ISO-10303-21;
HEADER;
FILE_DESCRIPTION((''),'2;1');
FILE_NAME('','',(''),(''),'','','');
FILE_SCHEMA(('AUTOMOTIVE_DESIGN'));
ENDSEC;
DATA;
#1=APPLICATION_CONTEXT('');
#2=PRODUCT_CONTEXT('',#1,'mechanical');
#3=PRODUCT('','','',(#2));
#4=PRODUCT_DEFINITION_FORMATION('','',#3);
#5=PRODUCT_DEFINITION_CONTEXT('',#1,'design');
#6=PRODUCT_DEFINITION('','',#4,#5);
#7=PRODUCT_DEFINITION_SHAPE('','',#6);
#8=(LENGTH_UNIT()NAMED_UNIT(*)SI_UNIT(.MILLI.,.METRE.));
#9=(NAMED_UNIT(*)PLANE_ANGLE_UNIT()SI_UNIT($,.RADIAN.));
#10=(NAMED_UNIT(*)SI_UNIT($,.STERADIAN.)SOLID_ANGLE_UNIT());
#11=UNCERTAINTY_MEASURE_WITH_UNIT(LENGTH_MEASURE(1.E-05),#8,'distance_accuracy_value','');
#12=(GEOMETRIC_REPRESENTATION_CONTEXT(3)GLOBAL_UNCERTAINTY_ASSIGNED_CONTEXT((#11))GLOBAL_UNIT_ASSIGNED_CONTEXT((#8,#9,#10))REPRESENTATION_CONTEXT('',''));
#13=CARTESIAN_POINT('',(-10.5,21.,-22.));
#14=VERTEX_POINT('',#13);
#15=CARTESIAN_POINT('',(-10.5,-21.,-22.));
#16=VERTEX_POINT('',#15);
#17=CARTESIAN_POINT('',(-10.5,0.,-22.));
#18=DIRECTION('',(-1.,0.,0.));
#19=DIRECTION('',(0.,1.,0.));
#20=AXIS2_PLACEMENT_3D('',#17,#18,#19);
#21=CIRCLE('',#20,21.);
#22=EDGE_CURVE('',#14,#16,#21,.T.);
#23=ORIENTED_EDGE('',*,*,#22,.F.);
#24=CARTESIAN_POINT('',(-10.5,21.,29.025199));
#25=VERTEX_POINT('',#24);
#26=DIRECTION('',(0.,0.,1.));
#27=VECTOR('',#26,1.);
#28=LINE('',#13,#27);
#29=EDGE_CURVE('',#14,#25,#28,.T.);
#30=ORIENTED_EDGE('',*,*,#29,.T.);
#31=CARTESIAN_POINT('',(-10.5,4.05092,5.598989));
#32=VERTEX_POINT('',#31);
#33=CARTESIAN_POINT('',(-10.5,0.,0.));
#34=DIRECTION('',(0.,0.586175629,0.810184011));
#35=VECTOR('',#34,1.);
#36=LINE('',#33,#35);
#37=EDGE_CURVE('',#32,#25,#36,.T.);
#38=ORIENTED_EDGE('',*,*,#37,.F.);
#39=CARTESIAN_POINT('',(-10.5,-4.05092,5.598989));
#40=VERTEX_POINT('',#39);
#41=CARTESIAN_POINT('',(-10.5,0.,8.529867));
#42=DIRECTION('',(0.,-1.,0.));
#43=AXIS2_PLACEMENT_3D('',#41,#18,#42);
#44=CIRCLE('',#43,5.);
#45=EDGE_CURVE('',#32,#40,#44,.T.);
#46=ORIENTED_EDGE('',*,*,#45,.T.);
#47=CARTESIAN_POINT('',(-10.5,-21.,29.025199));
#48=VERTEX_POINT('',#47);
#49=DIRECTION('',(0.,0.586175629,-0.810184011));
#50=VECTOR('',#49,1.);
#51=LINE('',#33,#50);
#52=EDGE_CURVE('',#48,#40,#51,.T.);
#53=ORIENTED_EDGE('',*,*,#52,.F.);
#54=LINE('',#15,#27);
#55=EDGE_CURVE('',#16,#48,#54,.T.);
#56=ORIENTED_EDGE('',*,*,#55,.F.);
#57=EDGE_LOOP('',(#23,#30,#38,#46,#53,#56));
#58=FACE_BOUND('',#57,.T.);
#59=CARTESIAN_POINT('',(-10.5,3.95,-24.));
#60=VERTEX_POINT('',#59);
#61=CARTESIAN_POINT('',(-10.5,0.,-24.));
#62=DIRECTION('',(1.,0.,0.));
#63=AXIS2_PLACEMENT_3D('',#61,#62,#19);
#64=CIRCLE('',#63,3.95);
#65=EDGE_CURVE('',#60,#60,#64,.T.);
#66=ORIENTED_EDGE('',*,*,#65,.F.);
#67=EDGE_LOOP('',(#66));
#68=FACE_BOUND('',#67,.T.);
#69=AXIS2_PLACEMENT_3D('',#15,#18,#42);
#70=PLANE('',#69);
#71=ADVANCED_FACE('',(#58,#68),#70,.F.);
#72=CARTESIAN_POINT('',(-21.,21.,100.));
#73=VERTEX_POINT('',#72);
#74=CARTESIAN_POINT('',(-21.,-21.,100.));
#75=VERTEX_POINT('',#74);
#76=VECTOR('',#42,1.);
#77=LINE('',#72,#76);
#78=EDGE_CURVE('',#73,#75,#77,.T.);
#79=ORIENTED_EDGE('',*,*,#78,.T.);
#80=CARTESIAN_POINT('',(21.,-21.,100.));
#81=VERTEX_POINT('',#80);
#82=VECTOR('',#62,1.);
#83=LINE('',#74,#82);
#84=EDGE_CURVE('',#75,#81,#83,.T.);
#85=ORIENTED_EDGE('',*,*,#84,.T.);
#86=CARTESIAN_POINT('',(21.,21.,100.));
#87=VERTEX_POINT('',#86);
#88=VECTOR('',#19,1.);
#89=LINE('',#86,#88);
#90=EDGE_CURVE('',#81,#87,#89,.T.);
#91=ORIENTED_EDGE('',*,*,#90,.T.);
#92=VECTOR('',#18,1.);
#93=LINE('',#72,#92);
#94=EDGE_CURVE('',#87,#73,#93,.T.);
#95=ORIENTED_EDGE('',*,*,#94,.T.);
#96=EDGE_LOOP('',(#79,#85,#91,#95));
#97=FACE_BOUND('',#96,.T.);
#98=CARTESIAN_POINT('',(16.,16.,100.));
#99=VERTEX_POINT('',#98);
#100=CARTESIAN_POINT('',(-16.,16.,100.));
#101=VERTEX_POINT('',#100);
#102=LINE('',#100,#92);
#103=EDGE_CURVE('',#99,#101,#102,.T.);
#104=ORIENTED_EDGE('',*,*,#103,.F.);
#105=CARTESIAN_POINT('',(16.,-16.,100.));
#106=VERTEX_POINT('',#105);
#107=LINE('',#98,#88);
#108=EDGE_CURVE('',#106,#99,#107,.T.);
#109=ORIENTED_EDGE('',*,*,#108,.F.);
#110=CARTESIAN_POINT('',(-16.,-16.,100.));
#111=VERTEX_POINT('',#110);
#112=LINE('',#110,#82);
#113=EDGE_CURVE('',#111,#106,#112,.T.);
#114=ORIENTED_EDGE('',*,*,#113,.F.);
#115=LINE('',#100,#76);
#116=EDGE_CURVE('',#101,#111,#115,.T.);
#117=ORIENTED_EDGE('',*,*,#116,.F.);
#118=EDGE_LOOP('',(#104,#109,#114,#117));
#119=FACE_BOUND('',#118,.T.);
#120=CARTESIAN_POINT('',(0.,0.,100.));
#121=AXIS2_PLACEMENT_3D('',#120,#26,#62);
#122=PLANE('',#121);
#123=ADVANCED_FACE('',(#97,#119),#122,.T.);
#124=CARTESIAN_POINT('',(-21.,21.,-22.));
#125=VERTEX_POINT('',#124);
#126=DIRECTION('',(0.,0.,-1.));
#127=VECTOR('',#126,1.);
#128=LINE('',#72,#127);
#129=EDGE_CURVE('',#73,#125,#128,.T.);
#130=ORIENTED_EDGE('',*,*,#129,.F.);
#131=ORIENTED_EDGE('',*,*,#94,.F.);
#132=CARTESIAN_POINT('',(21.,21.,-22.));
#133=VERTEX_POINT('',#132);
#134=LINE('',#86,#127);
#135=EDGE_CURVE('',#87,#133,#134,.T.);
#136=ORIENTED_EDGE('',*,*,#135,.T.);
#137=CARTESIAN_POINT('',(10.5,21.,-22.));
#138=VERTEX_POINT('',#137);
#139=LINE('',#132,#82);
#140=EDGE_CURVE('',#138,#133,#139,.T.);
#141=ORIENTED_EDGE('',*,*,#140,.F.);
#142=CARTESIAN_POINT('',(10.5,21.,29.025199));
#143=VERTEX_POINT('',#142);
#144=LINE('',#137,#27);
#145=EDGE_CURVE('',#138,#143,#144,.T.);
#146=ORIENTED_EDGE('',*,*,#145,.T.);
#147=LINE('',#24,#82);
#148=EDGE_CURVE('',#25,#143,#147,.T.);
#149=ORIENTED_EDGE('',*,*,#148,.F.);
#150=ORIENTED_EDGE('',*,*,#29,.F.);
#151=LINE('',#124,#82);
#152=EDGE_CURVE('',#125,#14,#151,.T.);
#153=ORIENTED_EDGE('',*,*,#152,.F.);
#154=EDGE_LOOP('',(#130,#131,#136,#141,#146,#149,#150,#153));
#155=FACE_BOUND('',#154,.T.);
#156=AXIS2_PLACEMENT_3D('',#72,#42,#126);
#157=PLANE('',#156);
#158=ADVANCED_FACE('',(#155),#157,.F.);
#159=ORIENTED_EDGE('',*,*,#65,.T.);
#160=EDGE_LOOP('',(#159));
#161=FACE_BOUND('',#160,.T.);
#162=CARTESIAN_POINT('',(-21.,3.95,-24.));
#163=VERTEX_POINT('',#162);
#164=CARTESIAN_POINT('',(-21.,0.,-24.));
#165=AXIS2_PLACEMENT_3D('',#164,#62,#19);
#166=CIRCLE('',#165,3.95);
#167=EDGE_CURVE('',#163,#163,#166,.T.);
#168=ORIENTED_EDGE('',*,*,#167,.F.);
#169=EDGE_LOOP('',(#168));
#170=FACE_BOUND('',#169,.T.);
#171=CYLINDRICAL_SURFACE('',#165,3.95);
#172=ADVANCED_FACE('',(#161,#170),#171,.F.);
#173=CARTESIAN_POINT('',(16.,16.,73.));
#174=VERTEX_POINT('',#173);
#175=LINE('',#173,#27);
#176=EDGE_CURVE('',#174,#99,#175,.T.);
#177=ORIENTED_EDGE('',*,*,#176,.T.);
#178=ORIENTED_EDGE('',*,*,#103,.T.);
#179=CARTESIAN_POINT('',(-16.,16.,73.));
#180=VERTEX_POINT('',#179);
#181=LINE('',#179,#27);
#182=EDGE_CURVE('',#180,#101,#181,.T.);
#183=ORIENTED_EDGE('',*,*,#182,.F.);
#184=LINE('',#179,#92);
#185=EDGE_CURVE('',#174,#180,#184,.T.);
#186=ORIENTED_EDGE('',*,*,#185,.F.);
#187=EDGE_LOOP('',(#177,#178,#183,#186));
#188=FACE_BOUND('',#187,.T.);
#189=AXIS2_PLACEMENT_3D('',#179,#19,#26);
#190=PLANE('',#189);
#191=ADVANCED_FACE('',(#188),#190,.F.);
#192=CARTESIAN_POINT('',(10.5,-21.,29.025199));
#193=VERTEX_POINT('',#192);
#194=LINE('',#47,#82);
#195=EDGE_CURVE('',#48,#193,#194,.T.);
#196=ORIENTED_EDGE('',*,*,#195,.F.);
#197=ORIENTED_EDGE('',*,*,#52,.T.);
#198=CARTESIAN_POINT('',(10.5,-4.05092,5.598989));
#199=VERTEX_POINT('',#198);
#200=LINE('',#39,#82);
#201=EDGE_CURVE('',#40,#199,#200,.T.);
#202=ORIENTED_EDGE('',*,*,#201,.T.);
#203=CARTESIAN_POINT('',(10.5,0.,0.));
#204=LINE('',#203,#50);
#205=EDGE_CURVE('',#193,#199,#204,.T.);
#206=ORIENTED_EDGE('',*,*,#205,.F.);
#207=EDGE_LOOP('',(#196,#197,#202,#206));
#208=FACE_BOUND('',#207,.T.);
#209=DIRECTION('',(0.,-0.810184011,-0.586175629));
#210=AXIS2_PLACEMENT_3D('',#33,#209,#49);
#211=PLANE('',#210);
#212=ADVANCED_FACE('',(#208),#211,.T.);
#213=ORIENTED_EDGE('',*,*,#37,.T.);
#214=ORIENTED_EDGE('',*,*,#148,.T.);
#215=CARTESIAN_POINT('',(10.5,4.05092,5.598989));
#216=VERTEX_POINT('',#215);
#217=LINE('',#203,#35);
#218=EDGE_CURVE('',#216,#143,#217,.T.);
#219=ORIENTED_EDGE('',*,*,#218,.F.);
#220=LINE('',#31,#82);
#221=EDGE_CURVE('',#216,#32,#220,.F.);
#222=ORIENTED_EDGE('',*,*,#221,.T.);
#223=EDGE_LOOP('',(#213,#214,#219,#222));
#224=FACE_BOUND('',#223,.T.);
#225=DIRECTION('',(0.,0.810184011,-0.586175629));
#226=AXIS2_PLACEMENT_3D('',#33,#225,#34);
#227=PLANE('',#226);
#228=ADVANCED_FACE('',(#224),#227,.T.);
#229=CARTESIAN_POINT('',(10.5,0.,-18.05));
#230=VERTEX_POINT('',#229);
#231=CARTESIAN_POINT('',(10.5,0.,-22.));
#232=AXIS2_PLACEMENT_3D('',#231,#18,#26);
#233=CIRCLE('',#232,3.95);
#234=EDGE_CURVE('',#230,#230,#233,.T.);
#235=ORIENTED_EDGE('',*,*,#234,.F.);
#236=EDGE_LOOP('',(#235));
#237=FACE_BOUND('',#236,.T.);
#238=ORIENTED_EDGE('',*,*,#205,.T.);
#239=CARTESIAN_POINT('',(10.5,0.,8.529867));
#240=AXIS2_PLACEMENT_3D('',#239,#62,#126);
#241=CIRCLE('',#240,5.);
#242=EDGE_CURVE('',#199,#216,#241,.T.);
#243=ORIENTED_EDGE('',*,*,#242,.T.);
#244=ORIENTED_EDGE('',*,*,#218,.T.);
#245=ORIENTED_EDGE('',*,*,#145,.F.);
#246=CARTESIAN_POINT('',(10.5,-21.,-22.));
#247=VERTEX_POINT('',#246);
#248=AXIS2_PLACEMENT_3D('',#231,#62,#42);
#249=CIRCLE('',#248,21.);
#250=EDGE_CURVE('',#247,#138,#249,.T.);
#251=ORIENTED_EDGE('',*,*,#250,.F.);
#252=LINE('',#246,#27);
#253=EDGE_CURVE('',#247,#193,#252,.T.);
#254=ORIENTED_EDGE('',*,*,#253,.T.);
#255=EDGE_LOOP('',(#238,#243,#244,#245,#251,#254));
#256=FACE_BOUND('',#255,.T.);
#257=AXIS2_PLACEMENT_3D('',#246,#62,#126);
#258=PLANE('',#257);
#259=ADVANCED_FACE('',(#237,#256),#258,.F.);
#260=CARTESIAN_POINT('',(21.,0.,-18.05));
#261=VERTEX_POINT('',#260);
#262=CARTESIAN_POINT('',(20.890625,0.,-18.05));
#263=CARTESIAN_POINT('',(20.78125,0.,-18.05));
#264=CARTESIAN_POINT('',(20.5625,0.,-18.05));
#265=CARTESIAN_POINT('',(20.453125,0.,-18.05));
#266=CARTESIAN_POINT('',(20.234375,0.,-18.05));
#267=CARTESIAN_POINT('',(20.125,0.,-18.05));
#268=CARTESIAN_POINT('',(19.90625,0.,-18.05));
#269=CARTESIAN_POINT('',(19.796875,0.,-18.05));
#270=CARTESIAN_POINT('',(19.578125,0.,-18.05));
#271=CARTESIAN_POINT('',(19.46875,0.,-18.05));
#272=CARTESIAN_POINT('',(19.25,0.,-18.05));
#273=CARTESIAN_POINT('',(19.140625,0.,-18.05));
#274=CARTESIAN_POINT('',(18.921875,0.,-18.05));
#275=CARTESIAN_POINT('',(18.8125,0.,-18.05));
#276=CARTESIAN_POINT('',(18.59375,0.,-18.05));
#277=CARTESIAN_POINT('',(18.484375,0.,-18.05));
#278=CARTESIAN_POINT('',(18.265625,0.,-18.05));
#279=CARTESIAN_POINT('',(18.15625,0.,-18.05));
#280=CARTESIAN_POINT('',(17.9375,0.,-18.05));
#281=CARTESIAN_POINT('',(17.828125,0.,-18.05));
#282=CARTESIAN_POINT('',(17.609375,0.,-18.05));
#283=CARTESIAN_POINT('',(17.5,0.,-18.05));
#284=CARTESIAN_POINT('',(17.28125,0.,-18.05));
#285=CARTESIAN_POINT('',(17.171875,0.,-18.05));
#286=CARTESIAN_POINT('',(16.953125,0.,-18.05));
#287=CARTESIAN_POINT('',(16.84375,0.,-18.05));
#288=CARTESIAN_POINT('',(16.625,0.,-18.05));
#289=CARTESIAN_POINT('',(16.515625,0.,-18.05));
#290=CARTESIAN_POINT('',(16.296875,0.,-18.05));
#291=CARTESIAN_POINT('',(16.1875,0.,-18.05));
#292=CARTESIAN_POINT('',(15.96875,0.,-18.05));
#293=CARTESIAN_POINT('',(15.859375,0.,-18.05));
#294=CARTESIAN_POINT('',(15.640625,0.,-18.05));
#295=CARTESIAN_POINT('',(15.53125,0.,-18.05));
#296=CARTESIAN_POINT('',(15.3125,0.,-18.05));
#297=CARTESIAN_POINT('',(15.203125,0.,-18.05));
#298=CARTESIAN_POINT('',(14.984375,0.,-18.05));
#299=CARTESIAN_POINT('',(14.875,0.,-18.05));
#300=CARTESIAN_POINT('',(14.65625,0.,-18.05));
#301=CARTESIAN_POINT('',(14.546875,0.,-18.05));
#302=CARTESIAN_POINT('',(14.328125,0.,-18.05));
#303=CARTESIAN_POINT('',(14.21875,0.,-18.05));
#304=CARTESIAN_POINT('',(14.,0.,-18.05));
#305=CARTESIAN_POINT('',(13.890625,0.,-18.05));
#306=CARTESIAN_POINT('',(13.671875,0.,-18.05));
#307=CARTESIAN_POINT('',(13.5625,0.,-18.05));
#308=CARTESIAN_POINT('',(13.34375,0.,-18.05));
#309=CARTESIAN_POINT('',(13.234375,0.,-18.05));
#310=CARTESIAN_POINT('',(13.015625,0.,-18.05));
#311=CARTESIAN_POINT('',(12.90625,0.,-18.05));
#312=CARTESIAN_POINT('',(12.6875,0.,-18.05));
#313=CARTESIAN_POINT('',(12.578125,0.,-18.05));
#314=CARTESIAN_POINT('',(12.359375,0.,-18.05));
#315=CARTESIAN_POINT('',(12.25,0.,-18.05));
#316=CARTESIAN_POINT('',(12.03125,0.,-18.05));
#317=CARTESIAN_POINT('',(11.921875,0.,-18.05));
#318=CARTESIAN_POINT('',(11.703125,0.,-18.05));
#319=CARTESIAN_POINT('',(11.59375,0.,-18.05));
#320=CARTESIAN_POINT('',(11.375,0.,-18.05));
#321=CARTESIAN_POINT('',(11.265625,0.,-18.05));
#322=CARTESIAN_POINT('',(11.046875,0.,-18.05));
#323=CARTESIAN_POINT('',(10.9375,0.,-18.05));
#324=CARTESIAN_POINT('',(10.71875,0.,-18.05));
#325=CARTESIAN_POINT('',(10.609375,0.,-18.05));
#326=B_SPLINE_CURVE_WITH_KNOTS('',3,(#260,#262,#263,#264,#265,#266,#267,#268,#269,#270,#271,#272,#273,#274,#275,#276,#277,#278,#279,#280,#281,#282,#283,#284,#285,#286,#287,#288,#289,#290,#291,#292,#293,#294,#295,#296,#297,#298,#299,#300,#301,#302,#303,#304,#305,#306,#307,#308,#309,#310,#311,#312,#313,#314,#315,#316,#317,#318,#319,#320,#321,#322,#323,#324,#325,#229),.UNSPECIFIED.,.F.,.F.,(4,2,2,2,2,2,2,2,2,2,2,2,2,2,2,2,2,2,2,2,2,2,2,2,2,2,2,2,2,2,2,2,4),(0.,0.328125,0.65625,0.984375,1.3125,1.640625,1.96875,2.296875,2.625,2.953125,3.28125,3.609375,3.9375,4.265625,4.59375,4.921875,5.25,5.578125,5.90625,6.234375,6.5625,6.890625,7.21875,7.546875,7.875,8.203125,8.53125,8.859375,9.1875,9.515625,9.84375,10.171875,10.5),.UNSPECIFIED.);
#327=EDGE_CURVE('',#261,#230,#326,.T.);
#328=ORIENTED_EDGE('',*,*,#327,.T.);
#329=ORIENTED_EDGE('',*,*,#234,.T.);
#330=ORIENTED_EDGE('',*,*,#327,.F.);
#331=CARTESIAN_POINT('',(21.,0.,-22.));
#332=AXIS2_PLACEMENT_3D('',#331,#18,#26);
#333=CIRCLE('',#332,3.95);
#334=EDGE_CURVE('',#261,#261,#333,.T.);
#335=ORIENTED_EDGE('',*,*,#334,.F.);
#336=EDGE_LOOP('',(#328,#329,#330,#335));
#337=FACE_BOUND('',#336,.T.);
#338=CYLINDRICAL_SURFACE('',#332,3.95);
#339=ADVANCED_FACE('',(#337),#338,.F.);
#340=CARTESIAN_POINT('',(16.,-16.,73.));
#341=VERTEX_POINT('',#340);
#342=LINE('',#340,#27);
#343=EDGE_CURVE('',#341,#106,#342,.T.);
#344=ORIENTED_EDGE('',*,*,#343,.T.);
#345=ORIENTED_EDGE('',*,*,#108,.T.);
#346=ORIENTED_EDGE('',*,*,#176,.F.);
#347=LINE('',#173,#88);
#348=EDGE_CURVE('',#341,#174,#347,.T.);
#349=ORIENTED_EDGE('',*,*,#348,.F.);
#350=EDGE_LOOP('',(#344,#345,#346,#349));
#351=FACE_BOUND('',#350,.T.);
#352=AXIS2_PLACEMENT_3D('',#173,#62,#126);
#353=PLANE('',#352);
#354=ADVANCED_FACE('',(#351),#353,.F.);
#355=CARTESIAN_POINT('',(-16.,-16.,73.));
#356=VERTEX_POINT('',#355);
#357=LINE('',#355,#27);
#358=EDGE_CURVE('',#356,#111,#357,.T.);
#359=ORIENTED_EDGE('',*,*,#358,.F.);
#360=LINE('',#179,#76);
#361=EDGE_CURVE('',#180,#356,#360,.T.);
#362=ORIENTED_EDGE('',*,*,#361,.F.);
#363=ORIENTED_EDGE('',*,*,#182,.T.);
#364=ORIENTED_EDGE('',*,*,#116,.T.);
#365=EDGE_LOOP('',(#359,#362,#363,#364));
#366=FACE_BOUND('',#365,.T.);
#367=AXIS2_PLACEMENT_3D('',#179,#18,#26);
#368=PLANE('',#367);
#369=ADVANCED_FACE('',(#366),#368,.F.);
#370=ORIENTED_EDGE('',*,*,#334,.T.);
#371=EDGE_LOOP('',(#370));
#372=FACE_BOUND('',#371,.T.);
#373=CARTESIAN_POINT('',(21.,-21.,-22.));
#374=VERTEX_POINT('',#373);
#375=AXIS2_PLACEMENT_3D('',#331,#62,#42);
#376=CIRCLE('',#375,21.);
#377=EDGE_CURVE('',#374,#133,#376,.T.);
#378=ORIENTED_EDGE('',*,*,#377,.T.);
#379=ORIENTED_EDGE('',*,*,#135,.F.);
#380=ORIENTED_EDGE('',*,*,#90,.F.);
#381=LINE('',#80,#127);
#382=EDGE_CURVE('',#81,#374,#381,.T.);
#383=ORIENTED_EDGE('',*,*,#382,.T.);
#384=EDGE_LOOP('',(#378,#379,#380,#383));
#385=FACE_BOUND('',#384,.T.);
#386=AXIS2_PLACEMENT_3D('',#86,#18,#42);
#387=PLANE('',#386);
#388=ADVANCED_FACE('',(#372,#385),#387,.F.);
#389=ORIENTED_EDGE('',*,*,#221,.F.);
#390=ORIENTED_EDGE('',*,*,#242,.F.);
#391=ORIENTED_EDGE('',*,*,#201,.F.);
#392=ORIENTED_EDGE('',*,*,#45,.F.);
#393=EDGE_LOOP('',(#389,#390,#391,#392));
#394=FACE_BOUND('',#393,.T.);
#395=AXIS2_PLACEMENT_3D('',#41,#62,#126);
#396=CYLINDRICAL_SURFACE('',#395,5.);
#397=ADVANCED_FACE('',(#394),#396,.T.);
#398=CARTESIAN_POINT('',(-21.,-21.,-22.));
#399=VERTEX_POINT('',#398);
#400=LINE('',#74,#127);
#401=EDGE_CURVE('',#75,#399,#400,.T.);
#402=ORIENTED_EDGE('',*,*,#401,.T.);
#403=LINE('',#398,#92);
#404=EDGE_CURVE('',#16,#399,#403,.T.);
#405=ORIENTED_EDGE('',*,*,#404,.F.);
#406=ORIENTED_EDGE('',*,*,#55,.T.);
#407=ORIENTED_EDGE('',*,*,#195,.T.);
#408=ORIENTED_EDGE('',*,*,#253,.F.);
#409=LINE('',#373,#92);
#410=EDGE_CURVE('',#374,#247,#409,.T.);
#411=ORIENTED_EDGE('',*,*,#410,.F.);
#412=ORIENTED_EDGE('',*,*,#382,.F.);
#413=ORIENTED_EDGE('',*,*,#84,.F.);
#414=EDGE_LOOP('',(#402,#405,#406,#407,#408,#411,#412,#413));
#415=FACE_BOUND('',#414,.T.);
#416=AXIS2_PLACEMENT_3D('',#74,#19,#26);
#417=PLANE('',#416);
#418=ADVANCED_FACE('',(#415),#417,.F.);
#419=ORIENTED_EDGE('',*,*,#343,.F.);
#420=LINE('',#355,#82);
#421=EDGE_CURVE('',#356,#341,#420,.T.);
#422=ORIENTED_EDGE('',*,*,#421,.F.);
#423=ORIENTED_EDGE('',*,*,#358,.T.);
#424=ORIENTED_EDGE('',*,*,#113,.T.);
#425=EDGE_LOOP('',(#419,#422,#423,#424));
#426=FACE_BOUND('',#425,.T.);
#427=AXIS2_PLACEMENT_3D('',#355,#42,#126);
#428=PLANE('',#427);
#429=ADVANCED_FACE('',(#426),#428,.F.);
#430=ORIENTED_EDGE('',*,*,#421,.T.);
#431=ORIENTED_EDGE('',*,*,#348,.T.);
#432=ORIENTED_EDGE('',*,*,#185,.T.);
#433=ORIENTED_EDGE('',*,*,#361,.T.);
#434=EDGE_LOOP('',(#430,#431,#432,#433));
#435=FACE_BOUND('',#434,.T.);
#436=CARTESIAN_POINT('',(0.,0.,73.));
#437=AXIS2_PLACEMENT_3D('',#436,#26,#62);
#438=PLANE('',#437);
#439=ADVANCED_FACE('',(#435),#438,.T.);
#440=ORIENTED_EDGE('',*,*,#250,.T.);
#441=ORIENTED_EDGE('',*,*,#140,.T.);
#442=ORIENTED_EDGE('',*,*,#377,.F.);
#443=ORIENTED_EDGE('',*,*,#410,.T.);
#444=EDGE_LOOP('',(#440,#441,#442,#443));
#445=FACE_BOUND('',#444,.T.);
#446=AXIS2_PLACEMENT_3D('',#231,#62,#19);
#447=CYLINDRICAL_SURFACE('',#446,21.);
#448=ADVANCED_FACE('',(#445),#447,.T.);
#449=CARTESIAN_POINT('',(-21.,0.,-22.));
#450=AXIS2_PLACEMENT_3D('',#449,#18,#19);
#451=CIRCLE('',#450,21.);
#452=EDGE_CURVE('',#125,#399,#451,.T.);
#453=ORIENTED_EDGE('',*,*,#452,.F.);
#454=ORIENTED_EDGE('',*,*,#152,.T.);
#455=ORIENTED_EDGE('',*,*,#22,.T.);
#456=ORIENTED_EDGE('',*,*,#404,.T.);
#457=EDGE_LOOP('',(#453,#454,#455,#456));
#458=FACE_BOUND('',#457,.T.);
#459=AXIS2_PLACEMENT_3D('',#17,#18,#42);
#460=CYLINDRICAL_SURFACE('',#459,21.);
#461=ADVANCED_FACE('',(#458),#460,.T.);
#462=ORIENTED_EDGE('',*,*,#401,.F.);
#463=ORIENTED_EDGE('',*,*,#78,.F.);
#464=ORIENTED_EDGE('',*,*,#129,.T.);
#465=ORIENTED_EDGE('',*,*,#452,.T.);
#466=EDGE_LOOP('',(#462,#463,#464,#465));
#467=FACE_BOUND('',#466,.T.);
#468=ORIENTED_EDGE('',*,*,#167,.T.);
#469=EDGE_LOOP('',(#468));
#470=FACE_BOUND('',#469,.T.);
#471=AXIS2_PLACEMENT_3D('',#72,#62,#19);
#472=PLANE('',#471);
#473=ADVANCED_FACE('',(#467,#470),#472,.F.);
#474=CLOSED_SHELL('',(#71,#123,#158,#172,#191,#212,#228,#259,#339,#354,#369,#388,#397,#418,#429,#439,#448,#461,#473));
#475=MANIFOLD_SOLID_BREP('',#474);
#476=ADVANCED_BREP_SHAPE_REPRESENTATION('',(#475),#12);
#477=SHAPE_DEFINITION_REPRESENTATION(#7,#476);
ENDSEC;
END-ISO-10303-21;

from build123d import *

# Parameters (mm, degrees)
SKETCH2_W           = 42
SKETCH2_H           = 42
BOSS_EXTRUDE1_DEPTH = 100
SKETCH3_W           = 10.5
SKETCH3_H           = 42
BOSS_EXTRUDE2_DEPTH = 22
BOSS_EXTRUDE3_DEPTH = 10.5
BOSS_EXTRUDE4_START = -10.5
BOSS_EXTRUDE4_DEPTH = 10.5
SKETCH6_W           = 32
SKETCH6_H           = 32
CUT_EXTRUDE1_DEPTH  = 27
SKETCH7_R           = 3.95
CUT_EXTRUDE2_DEPTH  = 107.92637654
SKETCH9_R           = 3.95
CUT_EXTRUDE3_DEPTH  = 107.92637654
CUT_EXTRUDE4_DEPTH  = 21
FILLET1_R           = 5


with BuildPart() as part:
    # Sketch2 → Boss-Extrude1 (new body)
    with BuildSketch(Plane.XY):
        Rectangle(SKETCH2_W, SKETCH2_H)
    extrude(amount=BOSS_EXTRUDE1_DEPTH)

    # Sketch3 → Boss-Extrude2 (add)
    with BuildSketch(Plane(origin=(0, 0, 0), x_dir=(-1, 0, 0), z_dir=(0, 0, -1))):
        with Locations((15.75, 0)):
            Rectangle(SKETCH3_W, SKETCH3_H)
        with Locations((-15.75, 0)):
            Rectangle(SKETCH3_W, SKETCH3_H)
    extrude(amount=BOSS_EXTRUDE2_DEPTH)

    # Sketch4 → Boss-Extrude3 (add)
    with BuildSketch(Plane.ZY.offset(21)):
        with BuildLine():
            Line((-22, -21), (-22, 21))
            ThreePointArc((-22, 21), (-43, 0), (-22, -21))
        make_face()
    extrude(amount=-BOSS_EXTRUDE3_DEPTH)

    # Sketch5 → Boss-Extrude4 (add)
    with BuildSketch(Plane(origin=(21, 0, 0), x_dir=(0, 0, -1), z_dir=(1, 0, 0)).offset(BOSS_EXTRUDE4_START)):
        with BuildLine():
            Line((22, 21), (22, -21))
            ThreePointArc((22, -21), (43, 0), (22, 21))
        make_face()
    extrude(amount=BOSS_EXTRUDE4_DEPTH)

    # Sketch6 → Cut-Extrude1 (cut)
    with BuildSketch(Plane.XY.offset(100)):
        Rectangle(SKETCH6_W, SKETCH6_H)
    extrude(amount=-CUT_EXTRUDE1_DEPTH, mode=Mode.SUBTRACT)

    # Sketch7 → Cut-Extrude2 (cut, through all)
    with BuildSketch(Plane.ZY.offset(-10.5)):
        with Locations((-22, 0)):
            Circle(SKETCH7_R)
    extrude(amount=-CUT_EXTRUDE2_DEPTH, mode=Mode.SUBTRACT)

    # Sketch9 → Cut-Extrude3 (cut, through all)
    with BuildSketch(Plane(origin=(-10.5, 0, 0), x_dir=(0, 0, -1), z_dir=(1, 0, 0))):
        with Locations(Location((24, 0, 0), (0, 0, 90))):
            Circle(SKETCH9_R)
    extrude(amount=-CUT_EXTRUDE3_DEPTH, mode=Mode.SUBTRACT)

    # Sketch11 → Cut-Extrude4 (cut)
    with BuildSketch(Plane.ZY.offset(-10.5)):
        Polygon((0, 21), (0, 0), (29.025198915, 21), align=None)
        Polygon((29.025198915, -21), (0, 0), (0, -21), align=None)
    extrude(amount=CUT_EXTRUDE4_DEPTH, mode=Mode.SUBTRACT)

    # Fillet1
    fillet1_edges = [part.edges().sort_by_distance(p)[0] for p in [
        (0, 0, 0),
    ]]
    fillet(fillet1_edges, radius=FILLET1_R)


solid = part.part
